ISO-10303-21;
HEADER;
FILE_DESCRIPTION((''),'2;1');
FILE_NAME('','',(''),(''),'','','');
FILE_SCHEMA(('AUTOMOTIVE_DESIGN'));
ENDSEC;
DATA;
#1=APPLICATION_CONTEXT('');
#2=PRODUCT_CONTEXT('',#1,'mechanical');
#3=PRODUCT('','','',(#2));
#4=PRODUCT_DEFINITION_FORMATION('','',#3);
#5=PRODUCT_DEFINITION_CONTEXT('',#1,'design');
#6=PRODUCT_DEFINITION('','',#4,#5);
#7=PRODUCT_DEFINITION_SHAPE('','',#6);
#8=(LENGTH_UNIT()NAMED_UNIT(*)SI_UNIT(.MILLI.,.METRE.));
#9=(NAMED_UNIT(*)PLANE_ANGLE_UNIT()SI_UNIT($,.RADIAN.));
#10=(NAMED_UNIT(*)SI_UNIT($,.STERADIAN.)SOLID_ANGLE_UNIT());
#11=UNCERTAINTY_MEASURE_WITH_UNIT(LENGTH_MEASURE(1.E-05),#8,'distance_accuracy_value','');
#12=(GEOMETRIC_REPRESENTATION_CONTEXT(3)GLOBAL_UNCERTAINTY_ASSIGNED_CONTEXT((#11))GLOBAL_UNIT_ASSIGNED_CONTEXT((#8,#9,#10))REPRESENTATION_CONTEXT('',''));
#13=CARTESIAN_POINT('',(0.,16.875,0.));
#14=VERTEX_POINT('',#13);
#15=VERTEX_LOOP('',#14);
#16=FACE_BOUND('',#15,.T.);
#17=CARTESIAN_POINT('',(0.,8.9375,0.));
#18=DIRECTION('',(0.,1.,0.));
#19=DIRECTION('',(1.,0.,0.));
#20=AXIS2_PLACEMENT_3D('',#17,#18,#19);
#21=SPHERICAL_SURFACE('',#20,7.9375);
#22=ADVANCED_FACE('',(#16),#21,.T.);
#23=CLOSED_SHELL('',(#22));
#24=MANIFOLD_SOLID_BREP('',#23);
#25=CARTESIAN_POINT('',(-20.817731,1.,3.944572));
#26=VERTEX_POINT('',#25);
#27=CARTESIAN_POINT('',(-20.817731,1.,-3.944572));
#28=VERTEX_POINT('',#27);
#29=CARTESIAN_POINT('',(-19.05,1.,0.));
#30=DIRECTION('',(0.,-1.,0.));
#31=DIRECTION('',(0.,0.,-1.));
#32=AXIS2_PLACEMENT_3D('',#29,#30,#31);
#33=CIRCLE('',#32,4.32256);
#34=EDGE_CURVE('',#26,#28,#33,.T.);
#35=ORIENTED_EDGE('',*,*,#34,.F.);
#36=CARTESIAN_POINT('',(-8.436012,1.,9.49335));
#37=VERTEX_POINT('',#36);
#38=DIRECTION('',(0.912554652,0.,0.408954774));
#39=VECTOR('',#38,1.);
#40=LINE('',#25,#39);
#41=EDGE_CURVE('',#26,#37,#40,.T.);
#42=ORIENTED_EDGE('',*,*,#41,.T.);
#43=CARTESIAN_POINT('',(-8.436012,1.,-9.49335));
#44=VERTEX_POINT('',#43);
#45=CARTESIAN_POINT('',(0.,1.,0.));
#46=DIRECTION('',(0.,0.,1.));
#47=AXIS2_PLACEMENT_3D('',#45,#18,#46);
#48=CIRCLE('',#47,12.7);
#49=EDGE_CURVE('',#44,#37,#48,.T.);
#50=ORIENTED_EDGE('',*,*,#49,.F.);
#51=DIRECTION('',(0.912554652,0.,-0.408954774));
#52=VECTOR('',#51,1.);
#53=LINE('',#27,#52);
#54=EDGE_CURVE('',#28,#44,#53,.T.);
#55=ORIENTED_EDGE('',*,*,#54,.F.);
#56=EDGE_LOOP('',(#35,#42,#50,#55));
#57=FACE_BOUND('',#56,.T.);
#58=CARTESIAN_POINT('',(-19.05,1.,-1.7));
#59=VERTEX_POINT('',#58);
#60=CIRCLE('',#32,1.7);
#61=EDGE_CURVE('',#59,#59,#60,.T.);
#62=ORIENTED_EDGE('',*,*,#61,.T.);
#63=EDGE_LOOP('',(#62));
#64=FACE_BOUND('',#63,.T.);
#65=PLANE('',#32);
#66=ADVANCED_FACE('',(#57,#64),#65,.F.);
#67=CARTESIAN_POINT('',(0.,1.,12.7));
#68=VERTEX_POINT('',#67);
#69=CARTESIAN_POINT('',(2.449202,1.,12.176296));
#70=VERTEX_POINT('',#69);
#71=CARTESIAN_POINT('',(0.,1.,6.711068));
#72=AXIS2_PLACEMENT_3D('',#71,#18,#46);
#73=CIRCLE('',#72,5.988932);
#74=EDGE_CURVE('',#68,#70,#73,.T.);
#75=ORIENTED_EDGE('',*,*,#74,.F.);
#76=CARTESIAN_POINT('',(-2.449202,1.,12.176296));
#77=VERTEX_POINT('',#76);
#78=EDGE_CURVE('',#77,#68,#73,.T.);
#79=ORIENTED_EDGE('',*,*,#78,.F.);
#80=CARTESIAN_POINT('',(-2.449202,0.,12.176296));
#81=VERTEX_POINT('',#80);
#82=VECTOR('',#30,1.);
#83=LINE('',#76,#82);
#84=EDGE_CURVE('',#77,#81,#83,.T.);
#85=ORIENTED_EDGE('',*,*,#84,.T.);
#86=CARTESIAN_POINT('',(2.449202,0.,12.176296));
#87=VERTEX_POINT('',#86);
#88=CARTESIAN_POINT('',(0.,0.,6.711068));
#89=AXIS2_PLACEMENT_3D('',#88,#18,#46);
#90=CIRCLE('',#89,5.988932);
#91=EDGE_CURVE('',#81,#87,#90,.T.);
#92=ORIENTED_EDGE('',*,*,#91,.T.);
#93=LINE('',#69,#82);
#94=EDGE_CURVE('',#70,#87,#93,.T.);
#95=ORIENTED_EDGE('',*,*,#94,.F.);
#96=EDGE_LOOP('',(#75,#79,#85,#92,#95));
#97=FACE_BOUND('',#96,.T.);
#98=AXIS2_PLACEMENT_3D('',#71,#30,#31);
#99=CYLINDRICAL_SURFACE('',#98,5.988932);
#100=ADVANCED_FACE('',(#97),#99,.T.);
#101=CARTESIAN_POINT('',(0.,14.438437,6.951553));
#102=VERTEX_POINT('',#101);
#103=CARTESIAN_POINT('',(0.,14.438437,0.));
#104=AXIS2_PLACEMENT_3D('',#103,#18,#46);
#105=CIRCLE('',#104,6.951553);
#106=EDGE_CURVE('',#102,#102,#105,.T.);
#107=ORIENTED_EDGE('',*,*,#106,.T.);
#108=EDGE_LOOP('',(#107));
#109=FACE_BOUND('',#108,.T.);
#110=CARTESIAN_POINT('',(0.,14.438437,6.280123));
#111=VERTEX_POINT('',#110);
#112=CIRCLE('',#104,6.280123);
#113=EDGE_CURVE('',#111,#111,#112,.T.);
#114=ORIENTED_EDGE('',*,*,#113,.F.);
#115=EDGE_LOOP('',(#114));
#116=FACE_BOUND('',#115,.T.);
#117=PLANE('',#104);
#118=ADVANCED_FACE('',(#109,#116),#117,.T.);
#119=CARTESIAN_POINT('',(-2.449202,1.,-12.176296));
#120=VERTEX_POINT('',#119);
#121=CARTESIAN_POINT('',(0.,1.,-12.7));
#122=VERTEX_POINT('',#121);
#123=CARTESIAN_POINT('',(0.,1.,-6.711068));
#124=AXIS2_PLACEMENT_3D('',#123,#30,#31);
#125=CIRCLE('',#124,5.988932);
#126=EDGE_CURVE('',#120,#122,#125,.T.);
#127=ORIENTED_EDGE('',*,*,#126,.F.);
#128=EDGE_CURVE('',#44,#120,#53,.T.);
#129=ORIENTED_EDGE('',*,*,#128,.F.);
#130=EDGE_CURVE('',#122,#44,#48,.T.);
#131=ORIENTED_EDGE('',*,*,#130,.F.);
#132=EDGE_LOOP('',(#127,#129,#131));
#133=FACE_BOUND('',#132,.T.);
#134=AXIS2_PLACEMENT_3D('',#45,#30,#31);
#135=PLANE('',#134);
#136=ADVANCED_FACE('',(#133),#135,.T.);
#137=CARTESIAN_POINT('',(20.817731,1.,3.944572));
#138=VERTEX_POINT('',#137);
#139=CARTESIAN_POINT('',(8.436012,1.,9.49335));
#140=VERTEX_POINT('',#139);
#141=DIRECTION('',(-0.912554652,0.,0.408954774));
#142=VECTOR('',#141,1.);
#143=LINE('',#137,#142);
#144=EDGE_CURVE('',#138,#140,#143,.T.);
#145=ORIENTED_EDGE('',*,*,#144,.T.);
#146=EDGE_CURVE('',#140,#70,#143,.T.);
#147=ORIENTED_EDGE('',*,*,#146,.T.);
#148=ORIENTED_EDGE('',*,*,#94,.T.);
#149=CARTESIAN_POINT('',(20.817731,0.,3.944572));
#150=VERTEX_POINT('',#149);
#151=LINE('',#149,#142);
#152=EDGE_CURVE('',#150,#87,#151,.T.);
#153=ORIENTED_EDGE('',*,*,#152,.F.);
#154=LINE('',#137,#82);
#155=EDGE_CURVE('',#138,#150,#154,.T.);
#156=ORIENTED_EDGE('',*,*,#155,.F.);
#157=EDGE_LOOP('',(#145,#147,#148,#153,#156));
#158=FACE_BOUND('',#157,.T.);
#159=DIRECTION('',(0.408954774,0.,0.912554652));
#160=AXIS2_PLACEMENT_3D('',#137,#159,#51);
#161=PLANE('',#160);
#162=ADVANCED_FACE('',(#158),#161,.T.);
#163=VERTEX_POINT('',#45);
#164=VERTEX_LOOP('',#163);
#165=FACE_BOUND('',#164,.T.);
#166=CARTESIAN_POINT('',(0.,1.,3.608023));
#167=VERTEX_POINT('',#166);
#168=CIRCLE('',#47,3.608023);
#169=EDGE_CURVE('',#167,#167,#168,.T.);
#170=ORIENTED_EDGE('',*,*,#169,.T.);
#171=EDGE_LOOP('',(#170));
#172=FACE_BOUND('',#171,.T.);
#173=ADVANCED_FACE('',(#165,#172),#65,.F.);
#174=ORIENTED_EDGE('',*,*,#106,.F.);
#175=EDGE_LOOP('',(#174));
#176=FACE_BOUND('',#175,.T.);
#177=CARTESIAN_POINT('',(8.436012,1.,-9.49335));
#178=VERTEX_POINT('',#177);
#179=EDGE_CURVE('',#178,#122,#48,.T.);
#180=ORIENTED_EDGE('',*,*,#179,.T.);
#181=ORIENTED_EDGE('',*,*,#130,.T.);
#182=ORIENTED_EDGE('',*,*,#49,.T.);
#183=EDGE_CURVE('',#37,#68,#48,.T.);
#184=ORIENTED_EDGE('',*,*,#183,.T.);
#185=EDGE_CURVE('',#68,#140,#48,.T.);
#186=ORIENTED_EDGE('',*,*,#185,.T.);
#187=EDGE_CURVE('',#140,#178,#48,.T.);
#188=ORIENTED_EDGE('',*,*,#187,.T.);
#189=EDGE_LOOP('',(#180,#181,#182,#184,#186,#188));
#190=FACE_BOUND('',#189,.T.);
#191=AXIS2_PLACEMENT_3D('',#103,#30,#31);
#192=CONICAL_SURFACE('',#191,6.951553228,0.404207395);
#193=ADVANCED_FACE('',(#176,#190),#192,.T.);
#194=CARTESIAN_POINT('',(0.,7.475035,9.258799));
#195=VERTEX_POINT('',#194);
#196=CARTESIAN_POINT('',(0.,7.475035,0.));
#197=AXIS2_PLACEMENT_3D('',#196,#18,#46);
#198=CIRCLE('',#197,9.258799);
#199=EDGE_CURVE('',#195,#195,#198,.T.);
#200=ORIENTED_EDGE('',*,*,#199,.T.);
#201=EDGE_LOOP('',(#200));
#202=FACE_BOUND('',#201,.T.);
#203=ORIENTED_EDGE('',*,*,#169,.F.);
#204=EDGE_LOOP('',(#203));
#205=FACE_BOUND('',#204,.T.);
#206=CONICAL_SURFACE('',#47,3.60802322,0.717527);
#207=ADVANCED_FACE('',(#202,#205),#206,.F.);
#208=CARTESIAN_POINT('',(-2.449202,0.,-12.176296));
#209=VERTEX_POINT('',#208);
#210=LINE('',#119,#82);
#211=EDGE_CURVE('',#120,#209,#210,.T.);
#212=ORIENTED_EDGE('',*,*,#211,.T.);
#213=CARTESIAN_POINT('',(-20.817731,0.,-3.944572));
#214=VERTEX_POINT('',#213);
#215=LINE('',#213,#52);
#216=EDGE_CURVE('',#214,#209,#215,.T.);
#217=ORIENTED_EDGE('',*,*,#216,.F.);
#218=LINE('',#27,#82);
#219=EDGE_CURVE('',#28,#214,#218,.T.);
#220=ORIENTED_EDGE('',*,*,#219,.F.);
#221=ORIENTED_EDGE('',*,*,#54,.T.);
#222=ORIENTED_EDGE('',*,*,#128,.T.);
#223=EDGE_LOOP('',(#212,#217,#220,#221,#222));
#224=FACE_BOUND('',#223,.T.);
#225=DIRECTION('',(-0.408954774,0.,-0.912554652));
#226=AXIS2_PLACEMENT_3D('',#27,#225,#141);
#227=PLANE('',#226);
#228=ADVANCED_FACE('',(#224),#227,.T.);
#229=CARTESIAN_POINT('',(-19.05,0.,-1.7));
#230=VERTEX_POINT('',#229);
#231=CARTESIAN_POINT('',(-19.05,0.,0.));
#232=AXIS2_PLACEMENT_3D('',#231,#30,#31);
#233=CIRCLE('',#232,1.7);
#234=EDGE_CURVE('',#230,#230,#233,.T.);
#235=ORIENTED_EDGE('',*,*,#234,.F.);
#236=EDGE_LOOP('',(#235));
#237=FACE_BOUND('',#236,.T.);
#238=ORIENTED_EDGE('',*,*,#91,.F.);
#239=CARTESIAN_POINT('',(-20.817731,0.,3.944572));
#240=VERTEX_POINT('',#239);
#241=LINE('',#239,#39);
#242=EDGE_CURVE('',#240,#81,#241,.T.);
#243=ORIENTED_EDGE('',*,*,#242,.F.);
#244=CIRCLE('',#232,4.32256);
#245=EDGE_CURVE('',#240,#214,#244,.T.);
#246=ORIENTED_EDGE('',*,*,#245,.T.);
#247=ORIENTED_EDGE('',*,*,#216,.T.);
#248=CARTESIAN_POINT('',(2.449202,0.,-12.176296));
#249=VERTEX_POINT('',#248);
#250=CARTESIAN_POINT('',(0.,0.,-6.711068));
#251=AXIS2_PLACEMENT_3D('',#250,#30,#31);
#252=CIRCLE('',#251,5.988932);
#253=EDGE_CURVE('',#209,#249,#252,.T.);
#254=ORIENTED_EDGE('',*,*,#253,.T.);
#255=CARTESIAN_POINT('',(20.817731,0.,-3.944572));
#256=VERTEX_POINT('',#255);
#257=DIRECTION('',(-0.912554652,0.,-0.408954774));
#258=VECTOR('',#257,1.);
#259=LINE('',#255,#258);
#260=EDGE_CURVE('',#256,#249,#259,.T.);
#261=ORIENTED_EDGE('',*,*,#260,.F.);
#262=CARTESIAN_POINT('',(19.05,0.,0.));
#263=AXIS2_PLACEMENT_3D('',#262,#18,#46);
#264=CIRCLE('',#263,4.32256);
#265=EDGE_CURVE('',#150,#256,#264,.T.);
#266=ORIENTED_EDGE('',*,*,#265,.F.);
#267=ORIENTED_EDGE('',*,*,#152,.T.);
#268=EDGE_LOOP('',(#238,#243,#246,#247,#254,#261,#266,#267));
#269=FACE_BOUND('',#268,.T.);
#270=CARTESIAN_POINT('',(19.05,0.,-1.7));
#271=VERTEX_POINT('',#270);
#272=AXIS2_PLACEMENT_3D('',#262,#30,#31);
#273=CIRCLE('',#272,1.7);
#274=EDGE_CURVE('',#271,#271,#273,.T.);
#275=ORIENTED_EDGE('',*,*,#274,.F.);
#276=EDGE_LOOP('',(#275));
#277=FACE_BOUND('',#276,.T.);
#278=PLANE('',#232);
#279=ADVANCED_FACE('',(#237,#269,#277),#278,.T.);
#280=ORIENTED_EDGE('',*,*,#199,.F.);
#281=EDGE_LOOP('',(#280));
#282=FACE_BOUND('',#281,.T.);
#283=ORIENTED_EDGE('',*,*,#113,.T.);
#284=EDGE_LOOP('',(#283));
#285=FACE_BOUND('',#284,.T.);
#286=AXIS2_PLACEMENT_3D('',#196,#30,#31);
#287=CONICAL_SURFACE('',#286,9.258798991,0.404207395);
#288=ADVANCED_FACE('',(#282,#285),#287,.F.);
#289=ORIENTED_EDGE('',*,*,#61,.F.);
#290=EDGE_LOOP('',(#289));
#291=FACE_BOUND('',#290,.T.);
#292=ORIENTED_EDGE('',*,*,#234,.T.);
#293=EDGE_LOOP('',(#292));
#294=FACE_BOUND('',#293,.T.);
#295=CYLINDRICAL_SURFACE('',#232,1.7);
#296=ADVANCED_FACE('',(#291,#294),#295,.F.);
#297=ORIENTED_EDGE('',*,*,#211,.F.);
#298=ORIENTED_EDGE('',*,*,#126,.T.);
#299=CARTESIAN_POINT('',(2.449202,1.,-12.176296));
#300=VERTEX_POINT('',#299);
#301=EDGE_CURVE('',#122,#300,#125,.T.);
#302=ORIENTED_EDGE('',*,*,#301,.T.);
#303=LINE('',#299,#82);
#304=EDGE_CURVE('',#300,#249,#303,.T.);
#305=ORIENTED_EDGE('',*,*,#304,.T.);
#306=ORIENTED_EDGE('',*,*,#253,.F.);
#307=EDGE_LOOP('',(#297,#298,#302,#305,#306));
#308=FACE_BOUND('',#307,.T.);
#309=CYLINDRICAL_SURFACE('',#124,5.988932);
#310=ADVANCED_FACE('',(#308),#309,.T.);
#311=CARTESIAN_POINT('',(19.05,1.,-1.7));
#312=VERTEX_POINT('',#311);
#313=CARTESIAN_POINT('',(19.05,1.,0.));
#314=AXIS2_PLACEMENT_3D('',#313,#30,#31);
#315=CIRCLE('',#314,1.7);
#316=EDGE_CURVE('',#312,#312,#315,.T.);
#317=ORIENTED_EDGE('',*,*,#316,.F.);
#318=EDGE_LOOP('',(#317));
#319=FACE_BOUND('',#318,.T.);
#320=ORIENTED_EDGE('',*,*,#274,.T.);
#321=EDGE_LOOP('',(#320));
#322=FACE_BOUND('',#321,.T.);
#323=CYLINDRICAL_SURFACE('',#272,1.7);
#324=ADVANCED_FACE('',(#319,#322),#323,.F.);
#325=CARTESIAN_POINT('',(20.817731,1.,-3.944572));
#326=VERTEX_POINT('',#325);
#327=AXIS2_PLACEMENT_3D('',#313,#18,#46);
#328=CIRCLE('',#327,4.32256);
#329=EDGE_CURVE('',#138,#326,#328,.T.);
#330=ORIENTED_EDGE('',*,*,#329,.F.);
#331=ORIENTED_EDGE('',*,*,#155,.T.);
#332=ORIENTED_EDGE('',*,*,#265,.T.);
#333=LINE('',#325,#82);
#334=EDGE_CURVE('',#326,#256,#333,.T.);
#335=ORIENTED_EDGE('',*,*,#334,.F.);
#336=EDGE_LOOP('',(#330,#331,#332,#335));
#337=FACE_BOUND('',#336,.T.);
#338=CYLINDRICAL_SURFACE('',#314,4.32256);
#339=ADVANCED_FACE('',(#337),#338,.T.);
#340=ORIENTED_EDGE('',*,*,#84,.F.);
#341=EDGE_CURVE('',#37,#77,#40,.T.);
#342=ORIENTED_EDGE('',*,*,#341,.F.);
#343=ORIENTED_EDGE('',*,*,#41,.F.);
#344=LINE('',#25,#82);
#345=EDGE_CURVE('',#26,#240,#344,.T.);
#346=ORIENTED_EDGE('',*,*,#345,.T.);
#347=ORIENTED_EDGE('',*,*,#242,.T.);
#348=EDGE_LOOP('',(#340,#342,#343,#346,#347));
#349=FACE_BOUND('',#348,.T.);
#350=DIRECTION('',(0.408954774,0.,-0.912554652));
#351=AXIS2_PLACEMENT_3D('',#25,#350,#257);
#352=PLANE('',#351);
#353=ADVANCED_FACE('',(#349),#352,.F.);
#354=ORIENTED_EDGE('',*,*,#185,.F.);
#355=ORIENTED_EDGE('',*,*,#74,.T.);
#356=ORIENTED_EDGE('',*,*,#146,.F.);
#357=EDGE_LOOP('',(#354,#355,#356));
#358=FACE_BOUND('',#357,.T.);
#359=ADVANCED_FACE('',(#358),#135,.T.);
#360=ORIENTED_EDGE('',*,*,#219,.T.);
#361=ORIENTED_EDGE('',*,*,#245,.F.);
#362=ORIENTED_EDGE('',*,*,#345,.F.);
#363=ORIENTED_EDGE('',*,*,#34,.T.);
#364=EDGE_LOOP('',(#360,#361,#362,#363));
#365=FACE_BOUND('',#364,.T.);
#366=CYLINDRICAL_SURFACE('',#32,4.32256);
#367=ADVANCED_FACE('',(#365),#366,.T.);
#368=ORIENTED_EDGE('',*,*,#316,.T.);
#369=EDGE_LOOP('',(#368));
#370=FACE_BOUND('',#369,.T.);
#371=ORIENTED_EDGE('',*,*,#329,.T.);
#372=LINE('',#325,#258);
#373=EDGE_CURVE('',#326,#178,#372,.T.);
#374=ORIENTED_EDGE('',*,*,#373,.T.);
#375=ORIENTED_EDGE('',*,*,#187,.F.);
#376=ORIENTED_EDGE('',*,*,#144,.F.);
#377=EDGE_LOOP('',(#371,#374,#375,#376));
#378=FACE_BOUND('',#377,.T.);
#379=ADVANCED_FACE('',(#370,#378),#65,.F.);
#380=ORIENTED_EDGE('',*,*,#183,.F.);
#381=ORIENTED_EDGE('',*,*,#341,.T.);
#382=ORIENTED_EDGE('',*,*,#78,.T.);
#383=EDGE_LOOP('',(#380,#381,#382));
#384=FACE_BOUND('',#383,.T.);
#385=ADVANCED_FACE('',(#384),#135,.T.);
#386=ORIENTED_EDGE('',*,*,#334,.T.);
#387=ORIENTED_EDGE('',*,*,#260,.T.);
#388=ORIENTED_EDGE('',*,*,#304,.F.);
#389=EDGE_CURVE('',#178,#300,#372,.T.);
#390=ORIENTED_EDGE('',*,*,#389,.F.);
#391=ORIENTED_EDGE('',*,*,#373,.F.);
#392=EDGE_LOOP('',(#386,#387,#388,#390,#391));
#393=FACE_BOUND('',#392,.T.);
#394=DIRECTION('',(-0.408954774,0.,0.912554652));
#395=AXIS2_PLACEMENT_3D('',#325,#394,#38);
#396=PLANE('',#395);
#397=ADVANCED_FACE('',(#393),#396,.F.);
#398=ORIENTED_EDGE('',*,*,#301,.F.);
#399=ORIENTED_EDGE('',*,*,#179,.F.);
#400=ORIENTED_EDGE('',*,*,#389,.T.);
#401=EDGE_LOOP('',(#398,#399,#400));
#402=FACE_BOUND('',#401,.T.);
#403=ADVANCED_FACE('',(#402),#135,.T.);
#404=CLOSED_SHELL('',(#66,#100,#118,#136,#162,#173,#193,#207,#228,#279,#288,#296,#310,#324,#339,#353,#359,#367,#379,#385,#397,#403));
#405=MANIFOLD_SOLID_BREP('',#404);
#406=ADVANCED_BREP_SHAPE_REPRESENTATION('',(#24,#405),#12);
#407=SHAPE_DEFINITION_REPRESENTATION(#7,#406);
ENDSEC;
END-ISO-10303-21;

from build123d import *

# Parameters (mm, degrees)
BOSS_EXTRUDE1_DEPTH           = 1
SKETCH5_W                     = 1.7
SKETCH5_H                     = 16.875
M3_CLEARANCE_HOLE1_AT_2_COUNT = 2
M3_CLEARANCE_HOLE1_AT_2_PITCH = 38.1


with BuildPart() as part:
    # Sketch1 → Boss-Extrude1 (new body)
    with BuildSketch(Plane(origin=(0, 0, 0), x_dir=(1, 0, 0), z_dir=(0, 1, 0))):
        with BuildLine():
            Line((-20.817731489, 3.944572101), (-2.449202247, 12.176295775))
            ThreePointArc((-2.449202247, 12.176295775), (0, 12.7), (2.449202247, 12.176295775))
            Line((2.449202247, 12.176295775), (20.817731489, 3.944572101))
            ThreePointArc((20.817731489, 3.944572101), (23.372559853, 0), (20.817731489, -3.944572101))
            Line((20.817731489, -3.944572101), (2.449202247, -12.176295775))
            ThreePointArc((2.449202247, -12.176295775), (0, -12.7), (-2.449202247, -12.176295775))
            Line((-2.449202247, -12.176295775), (-20.817731489, -3.944572101))
            ThreePointArc((-20.817731489, -3.944572101), (-23.372559853, 0), (-20.817731489, 3.944572101))
        make_face()
    extrude(amount=BOSS_EXTRUDE1_DEPTH)

    # Sketch2 → Revolve3 (revolve)
    with BuildSketch(Plane.XY, mode=Mode.PRIVATE) as revolve3_sk:
        with BuildLine():
            ThreePointArc((0, 1), (7.9375, 8.9375), (0, 16.875))
            Line((0, 16.875), (0, 1))
        make_face()
        Polygon((9.258798991, 7.475034674), (6.280123217, 14.438436679), (6.951553228, 14.438436679), (12.7, 1), (3.60802322, 1), align=None)
    revolve(revolve3_sk.sketch.rotate(Axis((0, 16.875, 0), (0, -1, 0)), 90), axis=Axis((0, 16.875, 0), (0, -1, 0)))


with BuildPart() as revolve3_piece_1:
    # of the separate pieces the step leaves, piece 1, a body of its own (revolve3_pieces)
    add(part.part.solids().sort_by_distance((-2.449202247, 0, 12.176295775))[0])

    # Sketch5 → M3 Clearance Hole1 (revolve, cut)
    with BuildSketch(Plane(origin=(19.05, 0, 0), x_dir=(0, 0, -1), z_dir=(1, 0, 0))):
        with Locations((0.85, 8.4375)):
            Rectangle(SKETCH5_W, SKETCH5_H)
    m3_clearance_hole1 = revolve(axis=Axis((19.05, -6.35, 0), (0, 1, 0)), mode=Mode.SUBTRACT)

    # M3 Clearance Hole1 at 2: M3 Clearance Hole1 ×2
    with Locations(*[(-i * M3_CLEARANCE_HOLE1_AT_2_PITCH, 0, 0) for i in range(1, M3_CLEARANCE_HOLE1_AT_2_COUNT)]):
        add(m3_clearance_hole1, mode=Mode.SUBTRACT)


with BuildPart() as revolve3_piece_2:
    # of the separate pieces the step leaves, piece 2, a body of its own (revolve3_pieces)
    add(part.part.solids().sort_by_distance((0, 16.875, 0))[0])


solid = Compound([revolve3_piece_1.part, revolve3_piece_2.part])
